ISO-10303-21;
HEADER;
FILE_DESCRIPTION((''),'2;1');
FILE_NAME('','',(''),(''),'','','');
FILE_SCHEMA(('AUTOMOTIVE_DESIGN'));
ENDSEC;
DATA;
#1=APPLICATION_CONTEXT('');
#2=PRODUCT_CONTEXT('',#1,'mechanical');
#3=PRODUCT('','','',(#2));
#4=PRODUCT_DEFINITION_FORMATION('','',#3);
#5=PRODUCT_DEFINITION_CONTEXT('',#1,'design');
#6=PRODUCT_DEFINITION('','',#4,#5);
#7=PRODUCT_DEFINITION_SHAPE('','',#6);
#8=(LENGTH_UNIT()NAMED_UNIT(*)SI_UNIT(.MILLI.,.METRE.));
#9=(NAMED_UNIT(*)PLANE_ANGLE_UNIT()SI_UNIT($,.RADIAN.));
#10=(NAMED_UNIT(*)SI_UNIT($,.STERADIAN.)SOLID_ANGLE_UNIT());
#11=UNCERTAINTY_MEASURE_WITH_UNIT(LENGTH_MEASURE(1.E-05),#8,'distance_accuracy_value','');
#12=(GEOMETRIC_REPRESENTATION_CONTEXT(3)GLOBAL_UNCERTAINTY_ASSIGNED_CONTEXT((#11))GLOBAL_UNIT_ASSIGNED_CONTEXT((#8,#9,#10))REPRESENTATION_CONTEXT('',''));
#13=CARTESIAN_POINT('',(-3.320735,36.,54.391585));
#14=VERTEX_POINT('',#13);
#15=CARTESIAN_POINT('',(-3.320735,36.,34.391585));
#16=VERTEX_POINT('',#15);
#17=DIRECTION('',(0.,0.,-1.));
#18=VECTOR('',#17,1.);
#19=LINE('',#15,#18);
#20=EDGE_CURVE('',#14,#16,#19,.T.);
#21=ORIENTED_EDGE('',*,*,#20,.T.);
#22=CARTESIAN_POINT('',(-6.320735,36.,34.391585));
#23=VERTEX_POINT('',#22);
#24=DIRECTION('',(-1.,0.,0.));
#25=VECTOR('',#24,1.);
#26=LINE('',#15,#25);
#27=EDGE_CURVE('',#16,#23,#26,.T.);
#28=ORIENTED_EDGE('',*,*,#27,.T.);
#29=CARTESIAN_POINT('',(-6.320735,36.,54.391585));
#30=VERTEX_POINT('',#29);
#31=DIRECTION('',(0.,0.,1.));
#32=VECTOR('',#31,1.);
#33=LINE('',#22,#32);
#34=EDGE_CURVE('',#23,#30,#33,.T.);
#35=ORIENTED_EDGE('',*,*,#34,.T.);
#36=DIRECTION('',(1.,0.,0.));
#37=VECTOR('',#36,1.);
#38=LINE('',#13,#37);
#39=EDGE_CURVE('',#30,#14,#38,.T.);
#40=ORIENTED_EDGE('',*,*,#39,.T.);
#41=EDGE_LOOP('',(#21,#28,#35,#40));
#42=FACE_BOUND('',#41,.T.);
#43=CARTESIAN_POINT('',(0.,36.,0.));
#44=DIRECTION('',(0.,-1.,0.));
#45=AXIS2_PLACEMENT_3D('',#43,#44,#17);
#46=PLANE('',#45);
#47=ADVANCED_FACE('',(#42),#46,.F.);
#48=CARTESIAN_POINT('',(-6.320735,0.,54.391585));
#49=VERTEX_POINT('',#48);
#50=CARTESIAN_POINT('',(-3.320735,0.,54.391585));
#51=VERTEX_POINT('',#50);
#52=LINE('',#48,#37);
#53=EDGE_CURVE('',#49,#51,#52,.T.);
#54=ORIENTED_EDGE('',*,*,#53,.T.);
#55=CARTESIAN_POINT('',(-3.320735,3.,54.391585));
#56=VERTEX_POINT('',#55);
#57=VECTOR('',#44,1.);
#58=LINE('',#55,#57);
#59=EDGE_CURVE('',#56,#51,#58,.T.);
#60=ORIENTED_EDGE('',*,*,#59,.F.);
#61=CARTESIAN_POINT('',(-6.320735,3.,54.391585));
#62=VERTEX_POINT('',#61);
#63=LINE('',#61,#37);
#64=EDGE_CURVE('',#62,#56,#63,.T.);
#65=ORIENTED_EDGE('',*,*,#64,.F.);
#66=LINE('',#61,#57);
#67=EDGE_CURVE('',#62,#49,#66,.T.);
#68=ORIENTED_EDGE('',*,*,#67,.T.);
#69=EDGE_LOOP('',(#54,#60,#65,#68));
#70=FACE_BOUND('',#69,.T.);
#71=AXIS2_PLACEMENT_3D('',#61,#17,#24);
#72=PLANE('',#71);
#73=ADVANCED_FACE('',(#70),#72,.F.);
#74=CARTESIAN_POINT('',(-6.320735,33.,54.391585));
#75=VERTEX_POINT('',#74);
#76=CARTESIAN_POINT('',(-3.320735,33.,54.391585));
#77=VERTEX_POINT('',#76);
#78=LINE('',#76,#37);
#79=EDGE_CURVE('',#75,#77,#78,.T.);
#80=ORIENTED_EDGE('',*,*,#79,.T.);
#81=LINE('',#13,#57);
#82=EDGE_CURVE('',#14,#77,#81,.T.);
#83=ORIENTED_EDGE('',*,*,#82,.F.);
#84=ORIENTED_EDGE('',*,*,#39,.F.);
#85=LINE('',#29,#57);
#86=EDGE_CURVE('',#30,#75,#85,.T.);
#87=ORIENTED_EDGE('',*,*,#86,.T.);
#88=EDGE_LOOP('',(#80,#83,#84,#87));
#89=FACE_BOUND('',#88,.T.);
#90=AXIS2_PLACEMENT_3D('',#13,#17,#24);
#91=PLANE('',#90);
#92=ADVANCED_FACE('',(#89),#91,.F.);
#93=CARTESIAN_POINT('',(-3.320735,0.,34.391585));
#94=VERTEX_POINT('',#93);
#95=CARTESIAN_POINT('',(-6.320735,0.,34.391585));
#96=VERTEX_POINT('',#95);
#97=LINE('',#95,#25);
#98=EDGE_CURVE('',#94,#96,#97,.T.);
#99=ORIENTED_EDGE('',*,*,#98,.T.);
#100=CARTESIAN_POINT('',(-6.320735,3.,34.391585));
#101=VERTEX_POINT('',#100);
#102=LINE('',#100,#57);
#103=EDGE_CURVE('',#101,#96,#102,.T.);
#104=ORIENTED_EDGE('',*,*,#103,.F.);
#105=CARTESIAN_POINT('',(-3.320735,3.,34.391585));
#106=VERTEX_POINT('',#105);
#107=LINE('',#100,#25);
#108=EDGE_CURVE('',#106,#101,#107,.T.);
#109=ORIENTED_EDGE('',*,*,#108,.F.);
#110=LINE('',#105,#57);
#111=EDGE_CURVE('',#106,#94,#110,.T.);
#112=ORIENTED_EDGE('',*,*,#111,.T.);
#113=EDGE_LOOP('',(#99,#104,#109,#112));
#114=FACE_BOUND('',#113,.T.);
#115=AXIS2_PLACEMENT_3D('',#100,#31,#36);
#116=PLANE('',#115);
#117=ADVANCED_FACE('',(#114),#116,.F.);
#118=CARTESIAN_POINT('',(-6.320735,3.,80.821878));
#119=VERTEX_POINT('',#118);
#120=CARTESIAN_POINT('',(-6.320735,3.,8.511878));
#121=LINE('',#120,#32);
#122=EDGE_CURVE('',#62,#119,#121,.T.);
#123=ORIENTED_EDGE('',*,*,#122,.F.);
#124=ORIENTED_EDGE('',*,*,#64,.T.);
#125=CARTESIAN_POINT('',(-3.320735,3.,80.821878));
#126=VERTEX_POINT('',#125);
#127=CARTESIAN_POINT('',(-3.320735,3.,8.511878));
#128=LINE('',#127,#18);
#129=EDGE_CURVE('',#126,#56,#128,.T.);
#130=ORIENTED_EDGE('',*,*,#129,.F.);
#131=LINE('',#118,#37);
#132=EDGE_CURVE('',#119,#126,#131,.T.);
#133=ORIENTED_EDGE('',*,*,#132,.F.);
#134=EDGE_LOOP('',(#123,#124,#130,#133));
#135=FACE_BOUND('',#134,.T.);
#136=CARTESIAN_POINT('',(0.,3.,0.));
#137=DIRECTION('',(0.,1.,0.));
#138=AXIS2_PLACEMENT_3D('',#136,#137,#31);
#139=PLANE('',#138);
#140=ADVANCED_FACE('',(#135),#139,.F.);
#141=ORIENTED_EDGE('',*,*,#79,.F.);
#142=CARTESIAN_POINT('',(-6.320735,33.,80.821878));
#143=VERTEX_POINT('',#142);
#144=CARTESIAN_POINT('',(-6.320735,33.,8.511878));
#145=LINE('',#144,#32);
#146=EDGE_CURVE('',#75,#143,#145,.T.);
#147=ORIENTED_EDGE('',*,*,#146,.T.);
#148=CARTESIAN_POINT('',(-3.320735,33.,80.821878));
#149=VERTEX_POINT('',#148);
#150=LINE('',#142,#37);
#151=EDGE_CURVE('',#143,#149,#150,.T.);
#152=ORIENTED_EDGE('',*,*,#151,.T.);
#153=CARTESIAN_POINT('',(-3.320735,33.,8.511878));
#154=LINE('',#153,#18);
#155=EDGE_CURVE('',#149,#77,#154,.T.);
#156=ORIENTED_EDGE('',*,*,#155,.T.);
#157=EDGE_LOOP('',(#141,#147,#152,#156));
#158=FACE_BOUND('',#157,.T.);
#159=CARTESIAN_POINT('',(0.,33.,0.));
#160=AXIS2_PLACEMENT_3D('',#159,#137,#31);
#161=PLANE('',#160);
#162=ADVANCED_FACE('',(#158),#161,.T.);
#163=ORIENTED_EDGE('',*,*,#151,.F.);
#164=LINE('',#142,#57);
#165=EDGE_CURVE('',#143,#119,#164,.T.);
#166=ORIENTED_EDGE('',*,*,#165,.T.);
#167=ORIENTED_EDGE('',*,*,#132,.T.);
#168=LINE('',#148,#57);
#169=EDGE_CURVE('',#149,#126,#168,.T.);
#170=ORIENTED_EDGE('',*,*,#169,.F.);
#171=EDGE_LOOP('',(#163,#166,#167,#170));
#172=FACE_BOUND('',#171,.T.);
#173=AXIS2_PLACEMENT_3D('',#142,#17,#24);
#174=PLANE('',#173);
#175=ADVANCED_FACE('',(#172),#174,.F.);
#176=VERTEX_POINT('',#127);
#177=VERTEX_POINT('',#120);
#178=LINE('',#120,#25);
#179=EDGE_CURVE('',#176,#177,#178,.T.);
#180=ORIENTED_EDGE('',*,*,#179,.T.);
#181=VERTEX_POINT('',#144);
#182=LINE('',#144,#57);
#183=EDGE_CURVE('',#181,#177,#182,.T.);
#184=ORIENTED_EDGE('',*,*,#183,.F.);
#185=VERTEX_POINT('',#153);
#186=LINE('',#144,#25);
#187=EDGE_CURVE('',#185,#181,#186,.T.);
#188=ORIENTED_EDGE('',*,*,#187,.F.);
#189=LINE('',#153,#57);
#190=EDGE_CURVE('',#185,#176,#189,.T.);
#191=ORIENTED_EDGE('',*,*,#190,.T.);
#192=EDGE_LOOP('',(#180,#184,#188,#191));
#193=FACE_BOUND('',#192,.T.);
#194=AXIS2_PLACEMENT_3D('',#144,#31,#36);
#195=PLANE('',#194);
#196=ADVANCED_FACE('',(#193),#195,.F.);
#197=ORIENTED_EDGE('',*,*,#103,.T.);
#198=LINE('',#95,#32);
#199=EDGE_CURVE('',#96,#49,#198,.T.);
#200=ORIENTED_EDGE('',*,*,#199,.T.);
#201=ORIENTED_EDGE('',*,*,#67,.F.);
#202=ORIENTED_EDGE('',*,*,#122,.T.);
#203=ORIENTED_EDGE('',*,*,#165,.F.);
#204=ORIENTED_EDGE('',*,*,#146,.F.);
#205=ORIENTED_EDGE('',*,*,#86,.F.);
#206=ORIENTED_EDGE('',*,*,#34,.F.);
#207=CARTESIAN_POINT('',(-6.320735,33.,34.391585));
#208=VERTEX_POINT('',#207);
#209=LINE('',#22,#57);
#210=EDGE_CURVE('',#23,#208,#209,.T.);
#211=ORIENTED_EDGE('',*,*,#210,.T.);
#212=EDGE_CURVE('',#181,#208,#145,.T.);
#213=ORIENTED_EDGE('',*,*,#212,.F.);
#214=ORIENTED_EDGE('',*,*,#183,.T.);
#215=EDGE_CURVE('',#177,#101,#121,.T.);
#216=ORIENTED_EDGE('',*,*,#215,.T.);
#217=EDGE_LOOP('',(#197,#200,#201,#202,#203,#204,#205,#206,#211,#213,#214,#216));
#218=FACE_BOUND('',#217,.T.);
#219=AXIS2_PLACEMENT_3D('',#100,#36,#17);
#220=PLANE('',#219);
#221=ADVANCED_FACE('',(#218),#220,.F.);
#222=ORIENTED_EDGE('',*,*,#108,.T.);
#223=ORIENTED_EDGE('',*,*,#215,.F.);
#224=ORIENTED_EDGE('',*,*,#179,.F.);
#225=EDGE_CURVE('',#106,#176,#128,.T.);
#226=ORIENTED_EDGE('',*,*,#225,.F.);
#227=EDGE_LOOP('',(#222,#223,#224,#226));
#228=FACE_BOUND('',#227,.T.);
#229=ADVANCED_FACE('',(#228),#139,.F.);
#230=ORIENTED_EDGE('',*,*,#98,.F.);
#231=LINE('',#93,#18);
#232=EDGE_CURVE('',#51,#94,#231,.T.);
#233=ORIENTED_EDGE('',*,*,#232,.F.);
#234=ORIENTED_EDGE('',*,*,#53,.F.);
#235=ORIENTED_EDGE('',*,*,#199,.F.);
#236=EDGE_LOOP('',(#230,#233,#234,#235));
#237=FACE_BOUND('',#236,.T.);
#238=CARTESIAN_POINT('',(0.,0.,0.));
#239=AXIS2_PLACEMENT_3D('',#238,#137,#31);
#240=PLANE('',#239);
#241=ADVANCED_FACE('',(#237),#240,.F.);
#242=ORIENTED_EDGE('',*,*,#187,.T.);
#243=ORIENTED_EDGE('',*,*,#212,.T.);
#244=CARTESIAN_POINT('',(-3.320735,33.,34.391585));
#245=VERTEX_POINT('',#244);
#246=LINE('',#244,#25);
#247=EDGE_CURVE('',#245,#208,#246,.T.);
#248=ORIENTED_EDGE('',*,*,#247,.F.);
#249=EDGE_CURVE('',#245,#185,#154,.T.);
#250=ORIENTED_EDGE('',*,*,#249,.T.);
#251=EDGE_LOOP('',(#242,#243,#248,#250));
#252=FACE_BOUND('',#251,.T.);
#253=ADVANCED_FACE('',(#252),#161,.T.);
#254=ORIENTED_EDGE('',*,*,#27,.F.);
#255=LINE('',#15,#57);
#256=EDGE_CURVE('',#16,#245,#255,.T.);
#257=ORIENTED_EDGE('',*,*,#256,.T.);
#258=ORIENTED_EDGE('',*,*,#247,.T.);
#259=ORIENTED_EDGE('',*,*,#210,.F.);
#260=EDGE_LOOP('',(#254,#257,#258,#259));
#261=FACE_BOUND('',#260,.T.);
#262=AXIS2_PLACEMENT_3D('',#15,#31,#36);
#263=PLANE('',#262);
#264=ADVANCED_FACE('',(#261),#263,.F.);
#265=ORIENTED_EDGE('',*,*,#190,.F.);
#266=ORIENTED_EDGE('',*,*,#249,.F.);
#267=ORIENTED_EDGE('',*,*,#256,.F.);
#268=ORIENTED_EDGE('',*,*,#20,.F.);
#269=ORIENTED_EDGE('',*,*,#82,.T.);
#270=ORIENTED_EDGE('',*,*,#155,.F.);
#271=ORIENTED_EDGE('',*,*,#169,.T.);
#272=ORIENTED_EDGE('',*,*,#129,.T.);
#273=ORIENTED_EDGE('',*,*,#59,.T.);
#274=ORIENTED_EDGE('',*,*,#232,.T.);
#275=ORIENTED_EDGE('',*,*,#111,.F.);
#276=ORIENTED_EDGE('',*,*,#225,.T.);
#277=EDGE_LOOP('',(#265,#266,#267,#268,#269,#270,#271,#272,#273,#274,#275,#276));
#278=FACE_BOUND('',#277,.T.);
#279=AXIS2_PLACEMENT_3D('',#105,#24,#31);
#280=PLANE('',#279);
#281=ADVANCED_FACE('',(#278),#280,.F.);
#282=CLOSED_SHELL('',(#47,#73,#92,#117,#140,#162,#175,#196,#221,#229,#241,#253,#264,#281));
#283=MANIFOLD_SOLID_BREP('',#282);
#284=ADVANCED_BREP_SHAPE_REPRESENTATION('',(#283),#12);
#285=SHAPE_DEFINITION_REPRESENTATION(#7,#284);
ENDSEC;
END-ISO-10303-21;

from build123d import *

# Parameters (mm, degrees)
SKETCH1_W           = 3
SKETCH1_H           = 20
BOSS_EXTRUDE1_DEPTH = 3
SKETCH2_W           = 3
SKETCH2_H           = 72.31
BOSS_EXTRUDE2_DEPTH = 30
SKETCH3_W           = 3
SKETCH3_H           = 20
BOSS_EXTRUDE3_DEPTH = 3


with BuildPart() as part:
    # Sketch1 → Boss-Extrude1 (new body)
    with BuildSketch(Plane(origin=(0, 0, 0), x_dir=(1, 0, 0), z_dir=(0, 1, 0))):
        with Locations((-4.820734675, -44.391585228)):
            Rectangle(SKETCH1_W, SKETCH1_H)
    extrude(amount=BOSS_EXTRUDE1_DEPTH)

    # Sketch2 → Boss-Extrude2 (add)
    with BuildSketch(Plane(origin=(0, 3, 0), x_dir=(1, 0, 0), z_dir=(0, 1, 0))):
        with Locations((-4.820734675, -44.66687809)):
            Rectangle(SKETCH2_W, SKETCH2_H)
    extrude(amount=BOSS_EXTRUDE2_DEPTH)

    # Sketch3 → Boss-Extrude3 (add)
    with BuildSketch(Plane(origin=(0, 33, 0), x_dir=(1, 0, 0), z_dir=(0, 1, 0))):
        with Locations((-4.820734675, -44.391585228)):
            Rectangle(SKETCH3_W, SKETCH3_H)
    extrude(amount=BOSS_EXTRUDE3_DEPTH)


solid = part.part
